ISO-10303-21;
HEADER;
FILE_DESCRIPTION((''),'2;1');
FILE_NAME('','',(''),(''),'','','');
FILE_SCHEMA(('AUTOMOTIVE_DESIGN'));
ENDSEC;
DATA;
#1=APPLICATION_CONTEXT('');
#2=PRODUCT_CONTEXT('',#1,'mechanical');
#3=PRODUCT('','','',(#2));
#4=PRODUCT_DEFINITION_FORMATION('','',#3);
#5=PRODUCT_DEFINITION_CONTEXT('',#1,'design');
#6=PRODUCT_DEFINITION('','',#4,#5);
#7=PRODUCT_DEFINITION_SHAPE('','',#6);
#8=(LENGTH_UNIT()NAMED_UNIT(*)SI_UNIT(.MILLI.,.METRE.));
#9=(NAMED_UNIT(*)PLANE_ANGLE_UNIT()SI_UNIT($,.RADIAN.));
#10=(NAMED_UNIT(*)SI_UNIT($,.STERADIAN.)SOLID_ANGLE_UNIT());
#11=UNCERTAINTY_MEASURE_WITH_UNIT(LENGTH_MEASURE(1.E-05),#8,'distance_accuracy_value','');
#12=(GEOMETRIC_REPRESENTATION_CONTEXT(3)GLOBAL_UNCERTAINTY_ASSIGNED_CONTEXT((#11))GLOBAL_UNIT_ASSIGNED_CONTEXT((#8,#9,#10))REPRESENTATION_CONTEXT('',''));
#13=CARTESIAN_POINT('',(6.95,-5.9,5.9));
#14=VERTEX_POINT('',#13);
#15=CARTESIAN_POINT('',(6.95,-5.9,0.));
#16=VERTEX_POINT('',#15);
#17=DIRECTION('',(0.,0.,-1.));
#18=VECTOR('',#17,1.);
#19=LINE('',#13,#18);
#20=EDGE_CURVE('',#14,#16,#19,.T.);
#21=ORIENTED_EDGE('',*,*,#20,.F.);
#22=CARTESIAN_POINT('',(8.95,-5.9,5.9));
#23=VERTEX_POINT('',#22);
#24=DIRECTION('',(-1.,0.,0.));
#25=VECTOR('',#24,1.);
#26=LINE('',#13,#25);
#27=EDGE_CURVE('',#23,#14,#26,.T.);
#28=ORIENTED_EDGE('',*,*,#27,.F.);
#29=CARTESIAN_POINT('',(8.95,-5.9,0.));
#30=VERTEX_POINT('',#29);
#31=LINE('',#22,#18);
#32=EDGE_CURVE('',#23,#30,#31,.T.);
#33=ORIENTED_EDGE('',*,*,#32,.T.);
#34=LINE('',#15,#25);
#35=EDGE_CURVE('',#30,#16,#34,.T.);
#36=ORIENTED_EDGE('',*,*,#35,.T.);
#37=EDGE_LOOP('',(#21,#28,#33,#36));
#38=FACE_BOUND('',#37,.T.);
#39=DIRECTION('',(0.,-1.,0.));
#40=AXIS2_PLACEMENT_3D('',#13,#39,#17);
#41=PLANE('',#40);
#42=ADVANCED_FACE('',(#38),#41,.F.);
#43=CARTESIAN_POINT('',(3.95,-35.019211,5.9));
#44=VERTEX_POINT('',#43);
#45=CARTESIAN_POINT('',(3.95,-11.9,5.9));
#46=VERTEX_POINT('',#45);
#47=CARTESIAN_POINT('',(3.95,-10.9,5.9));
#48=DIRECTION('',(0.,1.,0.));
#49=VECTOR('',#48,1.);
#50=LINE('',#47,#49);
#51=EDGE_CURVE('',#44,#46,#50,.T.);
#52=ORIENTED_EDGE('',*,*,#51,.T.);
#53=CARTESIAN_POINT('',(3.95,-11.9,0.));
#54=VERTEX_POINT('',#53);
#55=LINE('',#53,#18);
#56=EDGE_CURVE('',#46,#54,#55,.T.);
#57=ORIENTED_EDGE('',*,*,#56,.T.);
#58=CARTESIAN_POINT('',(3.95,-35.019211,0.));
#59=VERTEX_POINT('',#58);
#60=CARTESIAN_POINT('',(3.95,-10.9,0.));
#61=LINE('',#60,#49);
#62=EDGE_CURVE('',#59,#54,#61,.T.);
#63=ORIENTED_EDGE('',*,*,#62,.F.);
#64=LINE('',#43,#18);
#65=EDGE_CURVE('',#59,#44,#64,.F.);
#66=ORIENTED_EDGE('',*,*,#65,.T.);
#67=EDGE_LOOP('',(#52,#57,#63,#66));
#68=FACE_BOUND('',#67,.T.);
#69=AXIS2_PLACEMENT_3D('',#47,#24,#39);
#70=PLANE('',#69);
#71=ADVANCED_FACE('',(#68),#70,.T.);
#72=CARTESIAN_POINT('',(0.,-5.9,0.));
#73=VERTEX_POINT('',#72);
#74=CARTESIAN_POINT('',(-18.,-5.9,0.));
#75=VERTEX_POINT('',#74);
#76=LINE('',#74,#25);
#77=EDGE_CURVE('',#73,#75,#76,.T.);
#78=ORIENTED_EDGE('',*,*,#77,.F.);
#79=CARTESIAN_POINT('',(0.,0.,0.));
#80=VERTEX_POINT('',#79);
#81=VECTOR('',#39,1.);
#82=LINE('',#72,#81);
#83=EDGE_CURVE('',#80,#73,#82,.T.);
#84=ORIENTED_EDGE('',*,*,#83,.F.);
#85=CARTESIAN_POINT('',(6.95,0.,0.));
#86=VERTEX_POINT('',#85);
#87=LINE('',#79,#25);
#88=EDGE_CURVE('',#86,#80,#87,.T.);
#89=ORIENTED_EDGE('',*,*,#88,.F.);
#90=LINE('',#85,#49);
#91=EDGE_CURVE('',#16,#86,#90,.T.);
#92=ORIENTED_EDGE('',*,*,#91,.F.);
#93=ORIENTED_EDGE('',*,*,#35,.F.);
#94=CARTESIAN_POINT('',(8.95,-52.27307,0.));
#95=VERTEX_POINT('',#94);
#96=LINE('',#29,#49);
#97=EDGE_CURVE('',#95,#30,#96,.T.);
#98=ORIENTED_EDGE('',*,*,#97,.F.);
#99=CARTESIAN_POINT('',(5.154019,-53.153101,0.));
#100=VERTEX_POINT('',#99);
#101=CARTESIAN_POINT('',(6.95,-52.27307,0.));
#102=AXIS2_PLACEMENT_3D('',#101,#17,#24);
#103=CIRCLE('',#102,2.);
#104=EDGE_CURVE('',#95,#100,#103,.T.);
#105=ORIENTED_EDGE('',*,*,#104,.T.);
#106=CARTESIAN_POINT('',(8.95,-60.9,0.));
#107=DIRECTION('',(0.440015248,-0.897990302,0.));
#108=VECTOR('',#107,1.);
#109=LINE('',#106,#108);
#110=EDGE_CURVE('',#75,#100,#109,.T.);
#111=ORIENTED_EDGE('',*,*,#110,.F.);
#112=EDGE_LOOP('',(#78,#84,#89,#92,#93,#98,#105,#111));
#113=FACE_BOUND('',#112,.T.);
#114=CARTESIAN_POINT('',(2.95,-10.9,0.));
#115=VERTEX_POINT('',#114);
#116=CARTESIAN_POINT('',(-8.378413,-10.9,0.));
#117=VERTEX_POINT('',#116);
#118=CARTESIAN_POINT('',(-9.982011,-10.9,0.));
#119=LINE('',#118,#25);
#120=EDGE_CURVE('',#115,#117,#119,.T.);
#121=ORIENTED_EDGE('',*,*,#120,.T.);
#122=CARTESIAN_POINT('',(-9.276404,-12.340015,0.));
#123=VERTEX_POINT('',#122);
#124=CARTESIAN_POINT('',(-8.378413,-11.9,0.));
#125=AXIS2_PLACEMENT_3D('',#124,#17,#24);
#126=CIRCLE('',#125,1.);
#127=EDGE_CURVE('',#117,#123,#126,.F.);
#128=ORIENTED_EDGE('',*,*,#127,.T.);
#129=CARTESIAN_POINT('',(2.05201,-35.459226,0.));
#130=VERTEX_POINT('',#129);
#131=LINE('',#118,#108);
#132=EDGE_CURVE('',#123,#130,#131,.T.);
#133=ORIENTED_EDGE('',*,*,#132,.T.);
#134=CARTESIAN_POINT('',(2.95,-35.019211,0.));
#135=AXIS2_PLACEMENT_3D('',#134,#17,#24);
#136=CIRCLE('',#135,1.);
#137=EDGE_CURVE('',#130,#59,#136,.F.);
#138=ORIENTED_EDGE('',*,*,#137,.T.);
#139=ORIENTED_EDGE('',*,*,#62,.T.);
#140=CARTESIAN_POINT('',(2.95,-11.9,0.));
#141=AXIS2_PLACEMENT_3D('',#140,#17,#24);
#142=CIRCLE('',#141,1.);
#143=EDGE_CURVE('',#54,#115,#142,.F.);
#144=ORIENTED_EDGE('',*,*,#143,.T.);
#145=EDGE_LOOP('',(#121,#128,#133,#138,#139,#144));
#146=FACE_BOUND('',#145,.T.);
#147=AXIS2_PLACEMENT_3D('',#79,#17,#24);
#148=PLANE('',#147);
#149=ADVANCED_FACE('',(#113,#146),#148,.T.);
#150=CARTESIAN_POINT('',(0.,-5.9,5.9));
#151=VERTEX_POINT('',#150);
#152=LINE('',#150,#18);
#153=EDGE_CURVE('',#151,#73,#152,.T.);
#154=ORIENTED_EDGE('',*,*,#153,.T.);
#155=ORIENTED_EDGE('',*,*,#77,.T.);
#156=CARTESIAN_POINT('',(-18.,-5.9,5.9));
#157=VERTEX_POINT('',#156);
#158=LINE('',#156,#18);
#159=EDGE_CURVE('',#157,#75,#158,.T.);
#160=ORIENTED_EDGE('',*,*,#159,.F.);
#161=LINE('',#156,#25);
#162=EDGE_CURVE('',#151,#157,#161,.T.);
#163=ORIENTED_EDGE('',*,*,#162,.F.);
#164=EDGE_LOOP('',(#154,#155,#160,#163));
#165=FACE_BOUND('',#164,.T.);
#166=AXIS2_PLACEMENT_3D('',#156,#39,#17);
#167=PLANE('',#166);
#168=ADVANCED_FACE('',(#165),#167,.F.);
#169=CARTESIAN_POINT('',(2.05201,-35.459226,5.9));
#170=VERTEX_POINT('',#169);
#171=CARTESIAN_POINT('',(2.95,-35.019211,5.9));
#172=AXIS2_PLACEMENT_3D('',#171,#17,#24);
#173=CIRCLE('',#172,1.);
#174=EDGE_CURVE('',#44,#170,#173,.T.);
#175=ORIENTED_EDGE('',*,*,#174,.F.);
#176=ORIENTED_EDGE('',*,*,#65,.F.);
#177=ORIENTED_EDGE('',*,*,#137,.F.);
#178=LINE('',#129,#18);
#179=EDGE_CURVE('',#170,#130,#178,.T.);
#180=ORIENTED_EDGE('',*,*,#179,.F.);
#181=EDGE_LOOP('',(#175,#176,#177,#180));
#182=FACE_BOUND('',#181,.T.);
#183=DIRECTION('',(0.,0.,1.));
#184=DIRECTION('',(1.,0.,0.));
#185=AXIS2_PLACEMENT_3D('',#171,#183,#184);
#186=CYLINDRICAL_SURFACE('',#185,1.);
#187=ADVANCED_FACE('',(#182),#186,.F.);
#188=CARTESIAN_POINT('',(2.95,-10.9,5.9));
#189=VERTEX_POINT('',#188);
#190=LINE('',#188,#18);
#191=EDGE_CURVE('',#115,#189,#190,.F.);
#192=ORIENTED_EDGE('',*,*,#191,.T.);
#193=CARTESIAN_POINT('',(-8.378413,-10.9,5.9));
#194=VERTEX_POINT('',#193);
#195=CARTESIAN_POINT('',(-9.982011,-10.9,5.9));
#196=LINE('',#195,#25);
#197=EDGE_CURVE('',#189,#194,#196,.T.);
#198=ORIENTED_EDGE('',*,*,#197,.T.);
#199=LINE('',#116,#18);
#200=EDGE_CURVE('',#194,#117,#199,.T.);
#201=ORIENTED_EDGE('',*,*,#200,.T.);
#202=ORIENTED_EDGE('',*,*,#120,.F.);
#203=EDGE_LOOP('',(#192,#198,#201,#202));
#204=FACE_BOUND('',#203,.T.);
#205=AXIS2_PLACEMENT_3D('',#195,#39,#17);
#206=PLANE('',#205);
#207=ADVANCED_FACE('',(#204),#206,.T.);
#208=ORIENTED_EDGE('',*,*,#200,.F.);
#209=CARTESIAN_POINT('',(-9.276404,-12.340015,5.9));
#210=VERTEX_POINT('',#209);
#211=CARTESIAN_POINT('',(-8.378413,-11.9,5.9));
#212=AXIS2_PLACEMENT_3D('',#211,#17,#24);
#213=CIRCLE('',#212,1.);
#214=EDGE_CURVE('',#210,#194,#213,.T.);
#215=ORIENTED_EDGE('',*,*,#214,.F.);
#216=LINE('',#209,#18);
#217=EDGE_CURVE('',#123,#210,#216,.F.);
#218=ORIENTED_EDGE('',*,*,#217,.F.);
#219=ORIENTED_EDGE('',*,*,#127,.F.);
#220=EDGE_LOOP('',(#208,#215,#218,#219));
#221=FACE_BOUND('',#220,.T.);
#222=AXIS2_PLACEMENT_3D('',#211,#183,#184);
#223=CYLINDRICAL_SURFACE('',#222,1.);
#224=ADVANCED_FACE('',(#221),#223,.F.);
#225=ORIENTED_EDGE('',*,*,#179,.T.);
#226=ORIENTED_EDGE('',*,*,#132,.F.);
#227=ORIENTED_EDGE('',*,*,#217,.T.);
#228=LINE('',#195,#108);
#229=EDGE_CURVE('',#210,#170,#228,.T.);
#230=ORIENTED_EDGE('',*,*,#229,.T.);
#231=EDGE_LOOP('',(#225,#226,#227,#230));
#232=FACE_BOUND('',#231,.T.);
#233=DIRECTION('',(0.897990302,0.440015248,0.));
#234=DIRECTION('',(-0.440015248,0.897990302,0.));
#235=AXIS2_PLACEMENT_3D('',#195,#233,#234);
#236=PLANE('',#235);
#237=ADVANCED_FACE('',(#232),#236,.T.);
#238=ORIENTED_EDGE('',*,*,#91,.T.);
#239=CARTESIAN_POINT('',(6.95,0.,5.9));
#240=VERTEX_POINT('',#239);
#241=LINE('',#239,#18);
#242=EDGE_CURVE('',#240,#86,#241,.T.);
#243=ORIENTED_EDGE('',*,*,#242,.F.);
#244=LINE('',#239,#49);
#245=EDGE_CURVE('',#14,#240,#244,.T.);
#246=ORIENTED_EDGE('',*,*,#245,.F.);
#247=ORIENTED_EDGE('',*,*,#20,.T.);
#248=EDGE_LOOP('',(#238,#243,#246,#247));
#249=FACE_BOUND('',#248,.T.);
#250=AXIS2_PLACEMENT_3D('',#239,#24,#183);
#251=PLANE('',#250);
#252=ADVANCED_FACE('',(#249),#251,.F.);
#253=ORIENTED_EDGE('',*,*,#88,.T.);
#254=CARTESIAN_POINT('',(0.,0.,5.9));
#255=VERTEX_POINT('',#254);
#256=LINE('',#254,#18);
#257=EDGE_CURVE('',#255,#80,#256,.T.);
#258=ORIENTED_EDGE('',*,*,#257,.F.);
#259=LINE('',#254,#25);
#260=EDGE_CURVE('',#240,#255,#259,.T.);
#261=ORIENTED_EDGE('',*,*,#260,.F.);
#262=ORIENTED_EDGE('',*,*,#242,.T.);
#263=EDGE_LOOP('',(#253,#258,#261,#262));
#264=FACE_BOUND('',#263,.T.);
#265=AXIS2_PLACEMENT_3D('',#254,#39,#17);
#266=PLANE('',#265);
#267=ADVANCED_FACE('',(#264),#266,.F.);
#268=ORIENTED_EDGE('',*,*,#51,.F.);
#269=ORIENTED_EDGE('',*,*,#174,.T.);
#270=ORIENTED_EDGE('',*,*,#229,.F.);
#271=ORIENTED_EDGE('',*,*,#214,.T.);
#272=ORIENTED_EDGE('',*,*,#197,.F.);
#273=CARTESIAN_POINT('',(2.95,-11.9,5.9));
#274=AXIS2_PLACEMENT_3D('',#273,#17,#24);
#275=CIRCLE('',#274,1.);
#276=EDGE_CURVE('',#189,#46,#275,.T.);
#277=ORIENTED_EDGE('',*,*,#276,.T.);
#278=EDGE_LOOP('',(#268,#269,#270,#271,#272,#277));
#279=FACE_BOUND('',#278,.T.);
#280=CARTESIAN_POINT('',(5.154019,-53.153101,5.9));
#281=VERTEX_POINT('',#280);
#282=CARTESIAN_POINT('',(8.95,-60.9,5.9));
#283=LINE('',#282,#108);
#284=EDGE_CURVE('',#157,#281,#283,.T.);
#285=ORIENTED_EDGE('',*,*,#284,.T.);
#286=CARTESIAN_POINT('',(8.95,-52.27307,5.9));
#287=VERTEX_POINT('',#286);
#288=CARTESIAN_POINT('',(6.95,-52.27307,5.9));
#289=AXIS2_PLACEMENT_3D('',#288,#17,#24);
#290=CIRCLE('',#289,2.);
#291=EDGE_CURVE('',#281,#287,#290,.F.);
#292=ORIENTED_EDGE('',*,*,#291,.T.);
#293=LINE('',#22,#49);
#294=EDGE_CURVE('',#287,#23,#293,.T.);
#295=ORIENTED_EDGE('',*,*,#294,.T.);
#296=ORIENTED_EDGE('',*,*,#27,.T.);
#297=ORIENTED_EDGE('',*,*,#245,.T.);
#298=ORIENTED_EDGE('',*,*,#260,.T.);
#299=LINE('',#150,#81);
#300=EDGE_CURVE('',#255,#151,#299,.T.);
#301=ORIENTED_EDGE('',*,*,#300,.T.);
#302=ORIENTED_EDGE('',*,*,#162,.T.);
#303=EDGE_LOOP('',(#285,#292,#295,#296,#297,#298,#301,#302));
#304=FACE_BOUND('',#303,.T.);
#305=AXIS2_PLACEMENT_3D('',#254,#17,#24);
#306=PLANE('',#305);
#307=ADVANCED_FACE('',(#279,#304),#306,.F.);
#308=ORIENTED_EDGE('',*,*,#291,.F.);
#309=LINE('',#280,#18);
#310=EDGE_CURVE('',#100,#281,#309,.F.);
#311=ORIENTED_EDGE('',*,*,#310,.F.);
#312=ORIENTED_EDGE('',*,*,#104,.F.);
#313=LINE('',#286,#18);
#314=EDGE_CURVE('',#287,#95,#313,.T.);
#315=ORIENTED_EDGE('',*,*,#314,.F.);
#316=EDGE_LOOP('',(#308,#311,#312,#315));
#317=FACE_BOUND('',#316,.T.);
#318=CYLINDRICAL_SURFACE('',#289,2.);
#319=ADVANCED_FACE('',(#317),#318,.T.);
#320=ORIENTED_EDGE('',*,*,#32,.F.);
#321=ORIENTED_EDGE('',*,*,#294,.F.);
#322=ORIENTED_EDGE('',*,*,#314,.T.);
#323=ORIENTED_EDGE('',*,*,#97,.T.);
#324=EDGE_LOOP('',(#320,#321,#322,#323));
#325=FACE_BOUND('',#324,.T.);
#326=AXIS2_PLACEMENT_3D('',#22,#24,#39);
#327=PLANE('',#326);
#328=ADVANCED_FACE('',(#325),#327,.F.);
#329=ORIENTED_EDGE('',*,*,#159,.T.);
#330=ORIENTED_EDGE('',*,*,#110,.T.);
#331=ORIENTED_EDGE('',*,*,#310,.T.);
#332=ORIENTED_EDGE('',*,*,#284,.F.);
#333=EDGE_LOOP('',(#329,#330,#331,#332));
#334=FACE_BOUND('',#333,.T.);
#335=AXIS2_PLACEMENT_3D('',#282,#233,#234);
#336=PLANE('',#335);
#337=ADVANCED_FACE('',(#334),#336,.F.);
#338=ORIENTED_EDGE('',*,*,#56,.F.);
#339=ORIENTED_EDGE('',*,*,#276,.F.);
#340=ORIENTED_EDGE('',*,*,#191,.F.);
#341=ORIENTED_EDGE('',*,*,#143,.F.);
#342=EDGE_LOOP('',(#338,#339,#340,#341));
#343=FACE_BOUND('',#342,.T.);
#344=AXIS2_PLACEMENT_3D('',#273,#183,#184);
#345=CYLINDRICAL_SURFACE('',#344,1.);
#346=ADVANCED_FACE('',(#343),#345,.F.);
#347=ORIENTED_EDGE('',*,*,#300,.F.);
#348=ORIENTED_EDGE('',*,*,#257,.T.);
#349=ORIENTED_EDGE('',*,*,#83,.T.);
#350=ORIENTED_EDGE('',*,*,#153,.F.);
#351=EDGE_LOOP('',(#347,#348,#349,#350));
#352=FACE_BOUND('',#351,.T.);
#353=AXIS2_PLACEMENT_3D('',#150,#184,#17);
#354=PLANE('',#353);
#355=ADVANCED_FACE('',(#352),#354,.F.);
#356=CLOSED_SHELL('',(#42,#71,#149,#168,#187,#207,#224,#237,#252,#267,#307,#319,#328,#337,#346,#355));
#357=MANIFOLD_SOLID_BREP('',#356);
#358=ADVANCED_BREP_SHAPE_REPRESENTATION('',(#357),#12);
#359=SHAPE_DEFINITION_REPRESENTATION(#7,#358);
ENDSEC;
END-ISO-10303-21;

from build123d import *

# Parameters (mm, degrees)
BOSS_EXTRUDE1_DEPTH = 5.9
FILLET1_R           = 2
FILLET2_R           = 1


with BuildPart() as part:
    # Sketch1 → Boss-Extrude1 (new body)
    with BuildSketch(Plane.XY):
        Polygon((0, 0), (6.95, 0), (6.95, -5.9), (8.95, -5.9), (8.95, -60.9), (-18, -5.9), (0, -5.9), align=None)
        Polygon((-9.982011135, -10.9), (3.95, -10.9), (3.95, -39.332675786), align=None, mode=Mode.SUBTRACT)
    extrude(amount=BOSS_EXTRUDE1_DEPTH)

    # Fillet1
    fillet1_edges = [part.edges().sort_by_distance(p)[0] for p in [
        (8.95, -60.9, 2.95),
    ]]
    fillet(fillet1_edges, radius=FILLET1_R)

    # Fillet2
    fillet2_edges = [part.edges().sort_by_distance(p)[0] for p in [
        (-9.982011135, -10.9, 2.95),
        (3.95, -39.332675786, 2.95),
        (3.95, -10.9, 2.95),
    ]]
    fillet(fillet2_edges, radius=FILLET2_R)


solid = part.part
